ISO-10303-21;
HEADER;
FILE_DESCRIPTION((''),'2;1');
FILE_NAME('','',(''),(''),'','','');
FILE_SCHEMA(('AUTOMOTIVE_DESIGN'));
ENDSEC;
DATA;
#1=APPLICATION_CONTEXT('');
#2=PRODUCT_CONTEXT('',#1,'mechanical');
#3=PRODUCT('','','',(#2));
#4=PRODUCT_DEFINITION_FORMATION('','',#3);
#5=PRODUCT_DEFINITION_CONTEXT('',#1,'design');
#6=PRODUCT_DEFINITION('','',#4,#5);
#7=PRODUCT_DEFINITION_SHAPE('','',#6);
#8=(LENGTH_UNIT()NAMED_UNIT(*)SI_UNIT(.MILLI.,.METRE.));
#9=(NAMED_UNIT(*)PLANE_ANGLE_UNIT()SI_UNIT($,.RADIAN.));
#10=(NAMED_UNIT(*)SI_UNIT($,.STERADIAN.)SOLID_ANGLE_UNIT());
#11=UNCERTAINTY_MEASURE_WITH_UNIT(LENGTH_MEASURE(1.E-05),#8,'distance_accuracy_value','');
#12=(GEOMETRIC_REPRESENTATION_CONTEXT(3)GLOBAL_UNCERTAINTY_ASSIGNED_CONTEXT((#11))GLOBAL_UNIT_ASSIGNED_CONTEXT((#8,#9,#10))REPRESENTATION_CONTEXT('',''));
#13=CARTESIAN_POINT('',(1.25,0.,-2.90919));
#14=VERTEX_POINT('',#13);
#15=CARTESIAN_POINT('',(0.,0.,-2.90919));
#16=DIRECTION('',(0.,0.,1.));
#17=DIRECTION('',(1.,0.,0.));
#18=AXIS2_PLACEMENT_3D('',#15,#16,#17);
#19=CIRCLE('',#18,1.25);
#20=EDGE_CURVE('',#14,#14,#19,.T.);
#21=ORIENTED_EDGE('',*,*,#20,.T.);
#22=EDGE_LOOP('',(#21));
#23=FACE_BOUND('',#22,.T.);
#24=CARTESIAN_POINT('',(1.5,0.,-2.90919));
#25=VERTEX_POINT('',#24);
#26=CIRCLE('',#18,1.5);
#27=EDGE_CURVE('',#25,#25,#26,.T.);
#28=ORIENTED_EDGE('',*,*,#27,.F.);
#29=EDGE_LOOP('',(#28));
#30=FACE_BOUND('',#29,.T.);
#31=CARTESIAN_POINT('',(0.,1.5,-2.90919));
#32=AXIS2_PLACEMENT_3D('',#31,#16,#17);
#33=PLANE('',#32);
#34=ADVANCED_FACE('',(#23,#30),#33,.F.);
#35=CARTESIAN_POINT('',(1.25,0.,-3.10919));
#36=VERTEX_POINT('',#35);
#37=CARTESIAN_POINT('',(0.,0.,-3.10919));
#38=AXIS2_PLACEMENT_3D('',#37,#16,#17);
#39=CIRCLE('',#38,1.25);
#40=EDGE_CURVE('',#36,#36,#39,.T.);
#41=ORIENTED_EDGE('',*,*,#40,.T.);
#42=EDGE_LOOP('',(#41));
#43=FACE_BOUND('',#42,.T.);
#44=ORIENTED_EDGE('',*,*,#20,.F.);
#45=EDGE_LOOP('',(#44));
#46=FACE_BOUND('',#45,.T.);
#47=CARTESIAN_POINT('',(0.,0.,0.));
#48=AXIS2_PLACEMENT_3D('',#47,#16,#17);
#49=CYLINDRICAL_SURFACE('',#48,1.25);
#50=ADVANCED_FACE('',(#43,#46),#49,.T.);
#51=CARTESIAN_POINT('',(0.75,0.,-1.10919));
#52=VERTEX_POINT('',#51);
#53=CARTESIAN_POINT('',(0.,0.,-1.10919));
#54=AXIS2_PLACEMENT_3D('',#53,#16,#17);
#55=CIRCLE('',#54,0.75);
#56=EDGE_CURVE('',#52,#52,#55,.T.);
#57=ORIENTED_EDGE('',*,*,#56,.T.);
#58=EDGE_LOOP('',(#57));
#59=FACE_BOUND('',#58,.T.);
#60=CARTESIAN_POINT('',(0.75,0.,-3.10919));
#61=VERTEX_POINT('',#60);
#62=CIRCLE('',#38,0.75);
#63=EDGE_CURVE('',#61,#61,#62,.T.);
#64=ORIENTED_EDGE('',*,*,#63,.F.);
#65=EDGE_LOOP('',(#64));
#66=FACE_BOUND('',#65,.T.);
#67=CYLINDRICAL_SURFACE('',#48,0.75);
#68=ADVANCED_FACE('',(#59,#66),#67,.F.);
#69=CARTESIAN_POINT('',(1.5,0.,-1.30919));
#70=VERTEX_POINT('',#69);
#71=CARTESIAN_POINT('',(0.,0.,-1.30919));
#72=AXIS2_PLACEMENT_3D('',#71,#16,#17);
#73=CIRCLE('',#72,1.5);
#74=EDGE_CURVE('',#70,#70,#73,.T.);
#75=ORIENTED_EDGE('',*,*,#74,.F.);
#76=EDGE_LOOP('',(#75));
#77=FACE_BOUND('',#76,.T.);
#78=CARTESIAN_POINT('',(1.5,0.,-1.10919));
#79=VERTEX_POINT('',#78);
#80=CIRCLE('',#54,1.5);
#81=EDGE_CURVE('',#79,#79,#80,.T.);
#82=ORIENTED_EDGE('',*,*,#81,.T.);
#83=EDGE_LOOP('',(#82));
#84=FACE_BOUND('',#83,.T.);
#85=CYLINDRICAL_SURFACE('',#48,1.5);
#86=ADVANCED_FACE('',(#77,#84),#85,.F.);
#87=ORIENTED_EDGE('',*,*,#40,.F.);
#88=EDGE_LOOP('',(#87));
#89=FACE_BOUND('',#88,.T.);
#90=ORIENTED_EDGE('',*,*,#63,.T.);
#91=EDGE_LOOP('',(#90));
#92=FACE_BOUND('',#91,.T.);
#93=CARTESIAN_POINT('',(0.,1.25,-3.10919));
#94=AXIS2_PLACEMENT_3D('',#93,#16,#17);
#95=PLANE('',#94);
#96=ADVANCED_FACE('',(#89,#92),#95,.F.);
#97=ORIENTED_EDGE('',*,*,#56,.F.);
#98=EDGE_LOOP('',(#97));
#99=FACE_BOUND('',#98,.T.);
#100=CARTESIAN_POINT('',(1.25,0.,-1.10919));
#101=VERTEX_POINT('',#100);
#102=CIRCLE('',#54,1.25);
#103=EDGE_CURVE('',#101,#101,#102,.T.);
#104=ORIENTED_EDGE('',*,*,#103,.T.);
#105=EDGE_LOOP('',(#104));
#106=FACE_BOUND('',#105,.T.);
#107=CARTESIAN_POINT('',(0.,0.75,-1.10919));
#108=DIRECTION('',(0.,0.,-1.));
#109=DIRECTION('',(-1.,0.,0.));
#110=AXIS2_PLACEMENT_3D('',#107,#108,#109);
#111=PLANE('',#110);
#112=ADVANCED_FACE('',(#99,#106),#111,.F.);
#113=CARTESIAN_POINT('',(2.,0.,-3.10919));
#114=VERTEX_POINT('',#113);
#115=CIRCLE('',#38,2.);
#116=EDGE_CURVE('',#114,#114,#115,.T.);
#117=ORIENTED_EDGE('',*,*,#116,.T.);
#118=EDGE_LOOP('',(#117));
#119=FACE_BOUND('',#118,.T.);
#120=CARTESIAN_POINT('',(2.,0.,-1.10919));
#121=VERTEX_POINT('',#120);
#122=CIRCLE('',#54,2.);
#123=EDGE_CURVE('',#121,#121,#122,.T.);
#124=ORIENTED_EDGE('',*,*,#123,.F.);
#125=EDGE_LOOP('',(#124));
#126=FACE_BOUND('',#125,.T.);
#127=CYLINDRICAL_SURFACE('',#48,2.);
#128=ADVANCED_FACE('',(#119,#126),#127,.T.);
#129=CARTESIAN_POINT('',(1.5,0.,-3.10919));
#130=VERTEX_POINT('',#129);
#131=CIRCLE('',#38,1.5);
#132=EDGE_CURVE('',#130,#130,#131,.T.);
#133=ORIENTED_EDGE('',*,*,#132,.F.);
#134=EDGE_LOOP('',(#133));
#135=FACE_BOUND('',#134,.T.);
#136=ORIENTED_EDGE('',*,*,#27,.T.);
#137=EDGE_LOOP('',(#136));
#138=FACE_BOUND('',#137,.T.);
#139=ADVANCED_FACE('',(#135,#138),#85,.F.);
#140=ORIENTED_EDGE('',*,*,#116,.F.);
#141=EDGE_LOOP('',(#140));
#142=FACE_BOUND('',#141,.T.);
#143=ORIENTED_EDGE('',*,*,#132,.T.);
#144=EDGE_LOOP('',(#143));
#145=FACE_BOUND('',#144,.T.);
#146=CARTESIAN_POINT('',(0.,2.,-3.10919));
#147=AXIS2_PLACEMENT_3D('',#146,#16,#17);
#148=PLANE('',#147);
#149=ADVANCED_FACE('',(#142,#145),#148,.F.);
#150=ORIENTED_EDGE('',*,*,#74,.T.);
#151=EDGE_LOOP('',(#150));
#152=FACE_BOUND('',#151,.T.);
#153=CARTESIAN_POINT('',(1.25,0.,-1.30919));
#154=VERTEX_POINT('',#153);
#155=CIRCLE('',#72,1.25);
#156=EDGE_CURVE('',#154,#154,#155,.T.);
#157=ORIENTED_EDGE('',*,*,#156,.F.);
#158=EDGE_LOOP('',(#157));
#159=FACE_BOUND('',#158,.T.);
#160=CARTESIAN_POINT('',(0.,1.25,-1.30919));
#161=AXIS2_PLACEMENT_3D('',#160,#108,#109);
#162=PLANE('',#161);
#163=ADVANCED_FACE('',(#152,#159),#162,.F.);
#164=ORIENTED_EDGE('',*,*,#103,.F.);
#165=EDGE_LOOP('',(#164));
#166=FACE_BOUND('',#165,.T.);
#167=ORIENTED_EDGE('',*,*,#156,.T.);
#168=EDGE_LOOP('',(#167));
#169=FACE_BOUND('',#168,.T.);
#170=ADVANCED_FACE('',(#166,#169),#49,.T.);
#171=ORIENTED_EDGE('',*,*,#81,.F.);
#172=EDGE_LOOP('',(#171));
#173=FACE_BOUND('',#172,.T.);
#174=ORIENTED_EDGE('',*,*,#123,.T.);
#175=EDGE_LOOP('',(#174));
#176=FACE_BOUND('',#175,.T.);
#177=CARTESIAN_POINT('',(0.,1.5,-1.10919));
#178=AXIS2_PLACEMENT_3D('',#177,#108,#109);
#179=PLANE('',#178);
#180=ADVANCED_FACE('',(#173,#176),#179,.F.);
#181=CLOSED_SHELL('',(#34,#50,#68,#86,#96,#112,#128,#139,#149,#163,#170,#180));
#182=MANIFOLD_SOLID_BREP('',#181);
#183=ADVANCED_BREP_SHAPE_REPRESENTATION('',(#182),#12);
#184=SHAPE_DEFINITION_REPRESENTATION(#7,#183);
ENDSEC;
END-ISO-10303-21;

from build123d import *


with BuildPart() as part:
    # Sketch2 → Revolve1 (revolve)
    with BuildSketch(Plane(origin=(0, 0, 0), x_dir=(0, 0, -1), z_dir=(1, 0, 0))):
        Polygon((1.10919003, 2), (3.10919003, 2), (3.10919003, 1.5), (2.90919003, 1.5), (2.90919003, 1.25), (3.10919003, 1.25), (3.10919003, 0.75), (1.10919003, 0.75), (1.10919003, 1.25), (1.30919003, 1.25), (1.30919003, 1.5), (1.10919003, 1.5), align=None)
    revolve(axis=Axis((0, 0, 0), (0, 0, -1)))


solid = part.part
